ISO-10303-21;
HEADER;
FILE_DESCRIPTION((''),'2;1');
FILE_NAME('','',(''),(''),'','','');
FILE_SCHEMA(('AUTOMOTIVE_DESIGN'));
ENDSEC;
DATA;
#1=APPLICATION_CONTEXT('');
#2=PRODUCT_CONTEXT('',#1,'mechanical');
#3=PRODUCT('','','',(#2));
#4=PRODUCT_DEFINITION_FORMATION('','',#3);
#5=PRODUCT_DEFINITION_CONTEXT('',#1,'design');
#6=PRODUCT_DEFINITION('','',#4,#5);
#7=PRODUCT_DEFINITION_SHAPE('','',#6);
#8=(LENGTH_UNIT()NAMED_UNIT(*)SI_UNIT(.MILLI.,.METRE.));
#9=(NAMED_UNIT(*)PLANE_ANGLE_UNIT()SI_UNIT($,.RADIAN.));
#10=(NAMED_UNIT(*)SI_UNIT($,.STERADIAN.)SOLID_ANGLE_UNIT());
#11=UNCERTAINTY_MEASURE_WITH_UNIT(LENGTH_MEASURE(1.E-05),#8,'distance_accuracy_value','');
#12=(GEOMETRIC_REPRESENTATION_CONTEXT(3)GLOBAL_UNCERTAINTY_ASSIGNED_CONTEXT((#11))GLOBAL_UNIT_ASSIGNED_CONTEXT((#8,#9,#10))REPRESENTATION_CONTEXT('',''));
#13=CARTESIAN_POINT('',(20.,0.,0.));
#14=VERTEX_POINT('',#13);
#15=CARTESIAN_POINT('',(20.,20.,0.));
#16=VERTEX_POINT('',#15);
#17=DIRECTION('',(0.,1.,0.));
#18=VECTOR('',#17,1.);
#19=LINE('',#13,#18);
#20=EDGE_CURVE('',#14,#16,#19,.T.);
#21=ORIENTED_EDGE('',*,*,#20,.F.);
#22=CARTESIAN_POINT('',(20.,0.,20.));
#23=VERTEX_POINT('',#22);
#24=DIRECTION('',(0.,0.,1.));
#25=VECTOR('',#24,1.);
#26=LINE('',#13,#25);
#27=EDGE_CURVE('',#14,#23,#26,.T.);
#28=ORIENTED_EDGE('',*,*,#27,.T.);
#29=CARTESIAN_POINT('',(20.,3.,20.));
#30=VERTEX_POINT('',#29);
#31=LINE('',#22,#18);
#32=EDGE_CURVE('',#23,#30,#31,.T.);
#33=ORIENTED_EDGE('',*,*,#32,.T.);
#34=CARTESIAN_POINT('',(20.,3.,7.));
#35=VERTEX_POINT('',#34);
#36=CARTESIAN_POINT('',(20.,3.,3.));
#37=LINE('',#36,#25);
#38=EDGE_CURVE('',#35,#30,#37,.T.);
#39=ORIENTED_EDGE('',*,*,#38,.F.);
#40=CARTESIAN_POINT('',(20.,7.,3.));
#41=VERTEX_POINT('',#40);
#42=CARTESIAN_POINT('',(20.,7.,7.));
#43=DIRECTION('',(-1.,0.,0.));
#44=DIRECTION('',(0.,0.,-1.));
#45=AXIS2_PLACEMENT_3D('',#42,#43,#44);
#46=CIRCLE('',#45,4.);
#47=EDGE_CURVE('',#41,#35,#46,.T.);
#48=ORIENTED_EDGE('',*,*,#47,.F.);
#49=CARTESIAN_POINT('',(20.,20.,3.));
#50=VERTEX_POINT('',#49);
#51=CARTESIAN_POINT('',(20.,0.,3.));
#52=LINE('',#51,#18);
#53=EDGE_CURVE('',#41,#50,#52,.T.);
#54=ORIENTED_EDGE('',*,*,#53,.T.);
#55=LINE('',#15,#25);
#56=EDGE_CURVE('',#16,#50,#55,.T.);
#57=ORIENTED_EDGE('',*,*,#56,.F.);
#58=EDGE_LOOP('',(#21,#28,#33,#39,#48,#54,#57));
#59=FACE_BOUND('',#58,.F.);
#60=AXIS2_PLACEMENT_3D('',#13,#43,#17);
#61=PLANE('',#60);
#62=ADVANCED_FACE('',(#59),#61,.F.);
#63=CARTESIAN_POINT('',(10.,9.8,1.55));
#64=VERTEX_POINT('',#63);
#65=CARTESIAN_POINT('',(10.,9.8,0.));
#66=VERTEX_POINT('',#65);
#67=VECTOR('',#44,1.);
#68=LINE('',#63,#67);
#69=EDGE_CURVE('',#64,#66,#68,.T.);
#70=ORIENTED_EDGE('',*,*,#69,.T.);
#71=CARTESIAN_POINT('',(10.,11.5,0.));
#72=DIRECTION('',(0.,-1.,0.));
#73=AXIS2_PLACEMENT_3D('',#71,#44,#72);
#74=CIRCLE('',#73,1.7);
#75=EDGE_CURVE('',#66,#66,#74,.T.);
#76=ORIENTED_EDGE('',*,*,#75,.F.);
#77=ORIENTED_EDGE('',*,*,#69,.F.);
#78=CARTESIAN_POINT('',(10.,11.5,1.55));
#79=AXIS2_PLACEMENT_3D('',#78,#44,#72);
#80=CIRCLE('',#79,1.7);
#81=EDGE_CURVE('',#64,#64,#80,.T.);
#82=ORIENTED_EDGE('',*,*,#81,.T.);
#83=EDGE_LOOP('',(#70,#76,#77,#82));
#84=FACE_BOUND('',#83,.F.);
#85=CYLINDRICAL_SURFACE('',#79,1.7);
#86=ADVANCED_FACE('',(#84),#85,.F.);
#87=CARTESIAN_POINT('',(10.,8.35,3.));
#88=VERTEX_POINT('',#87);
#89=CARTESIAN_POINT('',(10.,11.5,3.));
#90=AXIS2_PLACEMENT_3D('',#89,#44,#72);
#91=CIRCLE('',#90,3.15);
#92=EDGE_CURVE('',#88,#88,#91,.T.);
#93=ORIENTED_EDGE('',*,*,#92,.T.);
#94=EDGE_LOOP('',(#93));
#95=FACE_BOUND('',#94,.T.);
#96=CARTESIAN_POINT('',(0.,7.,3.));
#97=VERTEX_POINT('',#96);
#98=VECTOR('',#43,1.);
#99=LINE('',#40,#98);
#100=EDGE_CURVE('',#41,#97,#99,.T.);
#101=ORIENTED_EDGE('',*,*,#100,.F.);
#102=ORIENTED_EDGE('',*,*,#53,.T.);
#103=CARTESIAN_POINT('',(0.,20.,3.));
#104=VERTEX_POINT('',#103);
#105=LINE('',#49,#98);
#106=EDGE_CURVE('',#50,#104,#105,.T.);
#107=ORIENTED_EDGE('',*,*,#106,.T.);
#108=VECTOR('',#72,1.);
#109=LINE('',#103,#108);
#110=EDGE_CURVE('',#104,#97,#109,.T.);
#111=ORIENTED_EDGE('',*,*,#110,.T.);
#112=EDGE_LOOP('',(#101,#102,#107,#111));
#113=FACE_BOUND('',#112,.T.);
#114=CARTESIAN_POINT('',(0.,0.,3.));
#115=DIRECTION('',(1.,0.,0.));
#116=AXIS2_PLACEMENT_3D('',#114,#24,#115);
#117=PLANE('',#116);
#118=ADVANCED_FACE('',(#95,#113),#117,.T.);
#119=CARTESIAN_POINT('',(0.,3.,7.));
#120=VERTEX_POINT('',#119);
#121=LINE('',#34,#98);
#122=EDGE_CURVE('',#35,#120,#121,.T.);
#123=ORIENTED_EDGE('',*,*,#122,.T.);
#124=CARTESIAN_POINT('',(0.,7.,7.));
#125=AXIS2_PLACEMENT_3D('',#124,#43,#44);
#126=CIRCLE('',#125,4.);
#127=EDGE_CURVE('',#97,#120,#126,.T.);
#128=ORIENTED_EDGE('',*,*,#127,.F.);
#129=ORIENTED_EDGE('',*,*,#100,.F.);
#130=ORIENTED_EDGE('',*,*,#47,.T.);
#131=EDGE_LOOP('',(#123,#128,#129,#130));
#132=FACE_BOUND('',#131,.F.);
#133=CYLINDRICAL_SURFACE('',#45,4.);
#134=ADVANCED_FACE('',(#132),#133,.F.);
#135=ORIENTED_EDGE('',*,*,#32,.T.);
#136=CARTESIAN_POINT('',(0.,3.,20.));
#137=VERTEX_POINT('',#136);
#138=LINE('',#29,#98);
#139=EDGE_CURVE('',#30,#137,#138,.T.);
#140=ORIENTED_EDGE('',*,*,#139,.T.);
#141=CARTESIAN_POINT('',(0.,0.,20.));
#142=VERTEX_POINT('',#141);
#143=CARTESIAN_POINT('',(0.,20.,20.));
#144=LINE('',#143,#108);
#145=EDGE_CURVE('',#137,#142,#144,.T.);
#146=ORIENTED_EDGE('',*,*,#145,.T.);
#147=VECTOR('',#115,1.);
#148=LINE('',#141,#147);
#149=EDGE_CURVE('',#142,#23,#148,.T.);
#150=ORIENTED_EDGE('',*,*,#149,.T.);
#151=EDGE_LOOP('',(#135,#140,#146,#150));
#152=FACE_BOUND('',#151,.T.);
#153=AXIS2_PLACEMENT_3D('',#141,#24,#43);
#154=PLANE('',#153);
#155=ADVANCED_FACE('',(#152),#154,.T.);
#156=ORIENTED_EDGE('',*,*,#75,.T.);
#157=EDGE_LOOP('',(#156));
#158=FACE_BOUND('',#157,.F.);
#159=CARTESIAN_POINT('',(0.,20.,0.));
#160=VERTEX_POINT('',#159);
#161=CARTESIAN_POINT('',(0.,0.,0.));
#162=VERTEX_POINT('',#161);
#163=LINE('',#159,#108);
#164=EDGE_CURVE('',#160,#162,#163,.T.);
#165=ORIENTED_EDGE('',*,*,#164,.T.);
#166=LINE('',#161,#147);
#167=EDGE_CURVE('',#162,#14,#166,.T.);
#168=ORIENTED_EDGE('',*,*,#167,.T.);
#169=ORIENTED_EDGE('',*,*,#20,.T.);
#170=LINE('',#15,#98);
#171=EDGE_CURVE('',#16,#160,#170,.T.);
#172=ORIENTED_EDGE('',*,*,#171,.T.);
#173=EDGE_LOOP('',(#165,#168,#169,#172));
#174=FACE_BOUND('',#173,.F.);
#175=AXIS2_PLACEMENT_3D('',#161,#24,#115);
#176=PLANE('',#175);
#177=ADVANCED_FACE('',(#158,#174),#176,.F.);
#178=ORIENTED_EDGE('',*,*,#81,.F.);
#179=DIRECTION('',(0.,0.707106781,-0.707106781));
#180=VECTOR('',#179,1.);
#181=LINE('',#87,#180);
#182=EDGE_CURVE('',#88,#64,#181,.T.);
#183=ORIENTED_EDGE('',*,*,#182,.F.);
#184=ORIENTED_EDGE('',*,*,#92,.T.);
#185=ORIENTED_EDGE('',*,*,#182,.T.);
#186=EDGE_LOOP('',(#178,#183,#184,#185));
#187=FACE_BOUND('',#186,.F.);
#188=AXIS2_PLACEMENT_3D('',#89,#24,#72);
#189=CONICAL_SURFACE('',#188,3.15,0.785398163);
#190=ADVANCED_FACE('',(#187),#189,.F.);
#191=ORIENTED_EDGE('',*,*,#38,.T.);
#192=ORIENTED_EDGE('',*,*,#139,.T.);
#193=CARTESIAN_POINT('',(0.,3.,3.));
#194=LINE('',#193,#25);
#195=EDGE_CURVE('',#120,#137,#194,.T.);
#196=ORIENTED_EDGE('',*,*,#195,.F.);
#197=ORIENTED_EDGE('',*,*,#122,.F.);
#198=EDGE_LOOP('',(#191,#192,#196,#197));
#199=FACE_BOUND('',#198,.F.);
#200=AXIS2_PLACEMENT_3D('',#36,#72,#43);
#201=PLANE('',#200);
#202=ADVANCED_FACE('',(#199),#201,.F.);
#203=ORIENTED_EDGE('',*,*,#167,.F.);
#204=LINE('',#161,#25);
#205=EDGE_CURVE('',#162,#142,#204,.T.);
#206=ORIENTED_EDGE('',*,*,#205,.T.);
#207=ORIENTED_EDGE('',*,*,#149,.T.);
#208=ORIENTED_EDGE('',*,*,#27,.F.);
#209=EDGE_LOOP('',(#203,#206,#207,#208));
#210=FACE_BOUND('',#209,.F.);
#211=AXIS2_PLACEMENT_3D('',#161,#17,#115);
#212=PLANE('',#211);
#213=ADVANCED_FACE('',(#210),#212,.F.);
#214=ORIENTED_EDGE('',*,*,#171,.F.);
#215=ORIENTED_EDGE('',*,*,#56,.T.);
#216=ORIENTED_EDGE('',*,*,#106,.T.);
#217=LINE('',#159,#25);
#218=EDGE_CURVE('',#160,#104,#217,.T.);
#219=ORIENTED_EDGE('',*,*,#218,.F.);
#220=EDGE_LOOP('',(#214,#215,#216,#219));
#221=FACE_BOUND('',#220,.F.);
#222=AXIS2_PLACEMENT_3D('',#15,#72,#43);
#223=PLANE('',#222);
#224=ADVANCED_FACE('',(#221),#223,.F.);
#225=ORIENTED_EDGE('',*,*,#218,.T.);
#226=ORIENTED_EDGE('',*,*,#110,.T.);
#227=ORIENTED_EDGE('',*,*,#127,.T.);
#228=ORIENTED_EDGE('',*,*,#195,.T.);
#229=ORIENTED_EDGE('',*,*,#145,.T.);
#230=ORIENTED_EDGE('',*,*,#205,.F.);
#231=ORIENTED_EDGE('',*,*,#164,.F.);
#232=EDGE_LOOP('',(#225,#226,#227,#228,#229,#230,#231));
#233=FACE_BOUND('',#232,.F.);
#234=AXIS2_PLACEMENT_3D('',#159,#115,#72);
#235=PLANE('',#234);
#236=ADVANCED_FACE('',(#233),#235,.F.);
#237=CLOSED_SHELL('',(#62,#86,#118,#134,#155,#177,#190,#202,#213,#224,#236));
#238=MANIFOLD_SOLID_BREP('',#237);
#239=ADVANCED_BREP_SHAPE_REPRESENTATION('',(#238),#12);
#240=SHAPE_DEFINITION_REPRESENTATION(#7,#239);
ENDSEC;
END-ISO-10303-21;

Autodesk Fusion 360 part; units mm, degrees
sketch "Sketch1" plane through (0, 0, 0) normal (0, 0, 1) x (1, 0, 0)
  line L0 (0, 0) -> (20, 0)
  line L1 (20, 0) -> (20, 20)
  line L2 (20, 20) -> (0, 20)
  line L3 (0, 20) -> (0, 0)
  dimension "d1" = 20
  dimension "d2" = 20
extrude "Extrude1" add sketch "Sketch1" along normal blind 3
sketch "Sketch2" plane through (0, 0, 3) normal (0, 0, 1) x (-1, 0, 0)
  line L0 (0, -20) -> (0, 0)
  line L1 (0, 0) -> (-20, 0)
  line L2 (-20, 0) -> (-20, -20)
  line L3 (-20, -20) -> (0, -20)
  line L4 (0, 0) -> (-20, 0)
  line L5 (-20, 0) -> (-20, -3)
  line L6 (-20, -3) -> (0, -3)
  line L7 (0, -3) -> (0, 0)
  dimension "d5" = 20
  dimension "d6" = 3
extrude "Extrude2" add sketch "Sketch2" along normal blind 17 contours L0 L1 L2 L4 L5 L6 L7
sketch "Sketch3" plane through (0, 0, 3) normal (0, 0, 1) x (-1, 0, 0)
  line L0 (0, -3) -> (-20, -3)
  line L1 (-20, -3) -> (-20, -20)
  line L2 (-20, -20) -> (0, -20)
  line L3 (0, -20) -> (0, -3)
  line L4 (-10, -20) -> (-10, -3) construction
  point P0 (-10, -11.5)
hole "Hole1" at (10, 11.5, 3) direction (0, 0, -1) diameter 3.4 depth 10 tip angle 180 countersink diameter 6.3 countersink angle 90
fillet "Fillet1" radius 4 1 edges at (10, 3, 3)
